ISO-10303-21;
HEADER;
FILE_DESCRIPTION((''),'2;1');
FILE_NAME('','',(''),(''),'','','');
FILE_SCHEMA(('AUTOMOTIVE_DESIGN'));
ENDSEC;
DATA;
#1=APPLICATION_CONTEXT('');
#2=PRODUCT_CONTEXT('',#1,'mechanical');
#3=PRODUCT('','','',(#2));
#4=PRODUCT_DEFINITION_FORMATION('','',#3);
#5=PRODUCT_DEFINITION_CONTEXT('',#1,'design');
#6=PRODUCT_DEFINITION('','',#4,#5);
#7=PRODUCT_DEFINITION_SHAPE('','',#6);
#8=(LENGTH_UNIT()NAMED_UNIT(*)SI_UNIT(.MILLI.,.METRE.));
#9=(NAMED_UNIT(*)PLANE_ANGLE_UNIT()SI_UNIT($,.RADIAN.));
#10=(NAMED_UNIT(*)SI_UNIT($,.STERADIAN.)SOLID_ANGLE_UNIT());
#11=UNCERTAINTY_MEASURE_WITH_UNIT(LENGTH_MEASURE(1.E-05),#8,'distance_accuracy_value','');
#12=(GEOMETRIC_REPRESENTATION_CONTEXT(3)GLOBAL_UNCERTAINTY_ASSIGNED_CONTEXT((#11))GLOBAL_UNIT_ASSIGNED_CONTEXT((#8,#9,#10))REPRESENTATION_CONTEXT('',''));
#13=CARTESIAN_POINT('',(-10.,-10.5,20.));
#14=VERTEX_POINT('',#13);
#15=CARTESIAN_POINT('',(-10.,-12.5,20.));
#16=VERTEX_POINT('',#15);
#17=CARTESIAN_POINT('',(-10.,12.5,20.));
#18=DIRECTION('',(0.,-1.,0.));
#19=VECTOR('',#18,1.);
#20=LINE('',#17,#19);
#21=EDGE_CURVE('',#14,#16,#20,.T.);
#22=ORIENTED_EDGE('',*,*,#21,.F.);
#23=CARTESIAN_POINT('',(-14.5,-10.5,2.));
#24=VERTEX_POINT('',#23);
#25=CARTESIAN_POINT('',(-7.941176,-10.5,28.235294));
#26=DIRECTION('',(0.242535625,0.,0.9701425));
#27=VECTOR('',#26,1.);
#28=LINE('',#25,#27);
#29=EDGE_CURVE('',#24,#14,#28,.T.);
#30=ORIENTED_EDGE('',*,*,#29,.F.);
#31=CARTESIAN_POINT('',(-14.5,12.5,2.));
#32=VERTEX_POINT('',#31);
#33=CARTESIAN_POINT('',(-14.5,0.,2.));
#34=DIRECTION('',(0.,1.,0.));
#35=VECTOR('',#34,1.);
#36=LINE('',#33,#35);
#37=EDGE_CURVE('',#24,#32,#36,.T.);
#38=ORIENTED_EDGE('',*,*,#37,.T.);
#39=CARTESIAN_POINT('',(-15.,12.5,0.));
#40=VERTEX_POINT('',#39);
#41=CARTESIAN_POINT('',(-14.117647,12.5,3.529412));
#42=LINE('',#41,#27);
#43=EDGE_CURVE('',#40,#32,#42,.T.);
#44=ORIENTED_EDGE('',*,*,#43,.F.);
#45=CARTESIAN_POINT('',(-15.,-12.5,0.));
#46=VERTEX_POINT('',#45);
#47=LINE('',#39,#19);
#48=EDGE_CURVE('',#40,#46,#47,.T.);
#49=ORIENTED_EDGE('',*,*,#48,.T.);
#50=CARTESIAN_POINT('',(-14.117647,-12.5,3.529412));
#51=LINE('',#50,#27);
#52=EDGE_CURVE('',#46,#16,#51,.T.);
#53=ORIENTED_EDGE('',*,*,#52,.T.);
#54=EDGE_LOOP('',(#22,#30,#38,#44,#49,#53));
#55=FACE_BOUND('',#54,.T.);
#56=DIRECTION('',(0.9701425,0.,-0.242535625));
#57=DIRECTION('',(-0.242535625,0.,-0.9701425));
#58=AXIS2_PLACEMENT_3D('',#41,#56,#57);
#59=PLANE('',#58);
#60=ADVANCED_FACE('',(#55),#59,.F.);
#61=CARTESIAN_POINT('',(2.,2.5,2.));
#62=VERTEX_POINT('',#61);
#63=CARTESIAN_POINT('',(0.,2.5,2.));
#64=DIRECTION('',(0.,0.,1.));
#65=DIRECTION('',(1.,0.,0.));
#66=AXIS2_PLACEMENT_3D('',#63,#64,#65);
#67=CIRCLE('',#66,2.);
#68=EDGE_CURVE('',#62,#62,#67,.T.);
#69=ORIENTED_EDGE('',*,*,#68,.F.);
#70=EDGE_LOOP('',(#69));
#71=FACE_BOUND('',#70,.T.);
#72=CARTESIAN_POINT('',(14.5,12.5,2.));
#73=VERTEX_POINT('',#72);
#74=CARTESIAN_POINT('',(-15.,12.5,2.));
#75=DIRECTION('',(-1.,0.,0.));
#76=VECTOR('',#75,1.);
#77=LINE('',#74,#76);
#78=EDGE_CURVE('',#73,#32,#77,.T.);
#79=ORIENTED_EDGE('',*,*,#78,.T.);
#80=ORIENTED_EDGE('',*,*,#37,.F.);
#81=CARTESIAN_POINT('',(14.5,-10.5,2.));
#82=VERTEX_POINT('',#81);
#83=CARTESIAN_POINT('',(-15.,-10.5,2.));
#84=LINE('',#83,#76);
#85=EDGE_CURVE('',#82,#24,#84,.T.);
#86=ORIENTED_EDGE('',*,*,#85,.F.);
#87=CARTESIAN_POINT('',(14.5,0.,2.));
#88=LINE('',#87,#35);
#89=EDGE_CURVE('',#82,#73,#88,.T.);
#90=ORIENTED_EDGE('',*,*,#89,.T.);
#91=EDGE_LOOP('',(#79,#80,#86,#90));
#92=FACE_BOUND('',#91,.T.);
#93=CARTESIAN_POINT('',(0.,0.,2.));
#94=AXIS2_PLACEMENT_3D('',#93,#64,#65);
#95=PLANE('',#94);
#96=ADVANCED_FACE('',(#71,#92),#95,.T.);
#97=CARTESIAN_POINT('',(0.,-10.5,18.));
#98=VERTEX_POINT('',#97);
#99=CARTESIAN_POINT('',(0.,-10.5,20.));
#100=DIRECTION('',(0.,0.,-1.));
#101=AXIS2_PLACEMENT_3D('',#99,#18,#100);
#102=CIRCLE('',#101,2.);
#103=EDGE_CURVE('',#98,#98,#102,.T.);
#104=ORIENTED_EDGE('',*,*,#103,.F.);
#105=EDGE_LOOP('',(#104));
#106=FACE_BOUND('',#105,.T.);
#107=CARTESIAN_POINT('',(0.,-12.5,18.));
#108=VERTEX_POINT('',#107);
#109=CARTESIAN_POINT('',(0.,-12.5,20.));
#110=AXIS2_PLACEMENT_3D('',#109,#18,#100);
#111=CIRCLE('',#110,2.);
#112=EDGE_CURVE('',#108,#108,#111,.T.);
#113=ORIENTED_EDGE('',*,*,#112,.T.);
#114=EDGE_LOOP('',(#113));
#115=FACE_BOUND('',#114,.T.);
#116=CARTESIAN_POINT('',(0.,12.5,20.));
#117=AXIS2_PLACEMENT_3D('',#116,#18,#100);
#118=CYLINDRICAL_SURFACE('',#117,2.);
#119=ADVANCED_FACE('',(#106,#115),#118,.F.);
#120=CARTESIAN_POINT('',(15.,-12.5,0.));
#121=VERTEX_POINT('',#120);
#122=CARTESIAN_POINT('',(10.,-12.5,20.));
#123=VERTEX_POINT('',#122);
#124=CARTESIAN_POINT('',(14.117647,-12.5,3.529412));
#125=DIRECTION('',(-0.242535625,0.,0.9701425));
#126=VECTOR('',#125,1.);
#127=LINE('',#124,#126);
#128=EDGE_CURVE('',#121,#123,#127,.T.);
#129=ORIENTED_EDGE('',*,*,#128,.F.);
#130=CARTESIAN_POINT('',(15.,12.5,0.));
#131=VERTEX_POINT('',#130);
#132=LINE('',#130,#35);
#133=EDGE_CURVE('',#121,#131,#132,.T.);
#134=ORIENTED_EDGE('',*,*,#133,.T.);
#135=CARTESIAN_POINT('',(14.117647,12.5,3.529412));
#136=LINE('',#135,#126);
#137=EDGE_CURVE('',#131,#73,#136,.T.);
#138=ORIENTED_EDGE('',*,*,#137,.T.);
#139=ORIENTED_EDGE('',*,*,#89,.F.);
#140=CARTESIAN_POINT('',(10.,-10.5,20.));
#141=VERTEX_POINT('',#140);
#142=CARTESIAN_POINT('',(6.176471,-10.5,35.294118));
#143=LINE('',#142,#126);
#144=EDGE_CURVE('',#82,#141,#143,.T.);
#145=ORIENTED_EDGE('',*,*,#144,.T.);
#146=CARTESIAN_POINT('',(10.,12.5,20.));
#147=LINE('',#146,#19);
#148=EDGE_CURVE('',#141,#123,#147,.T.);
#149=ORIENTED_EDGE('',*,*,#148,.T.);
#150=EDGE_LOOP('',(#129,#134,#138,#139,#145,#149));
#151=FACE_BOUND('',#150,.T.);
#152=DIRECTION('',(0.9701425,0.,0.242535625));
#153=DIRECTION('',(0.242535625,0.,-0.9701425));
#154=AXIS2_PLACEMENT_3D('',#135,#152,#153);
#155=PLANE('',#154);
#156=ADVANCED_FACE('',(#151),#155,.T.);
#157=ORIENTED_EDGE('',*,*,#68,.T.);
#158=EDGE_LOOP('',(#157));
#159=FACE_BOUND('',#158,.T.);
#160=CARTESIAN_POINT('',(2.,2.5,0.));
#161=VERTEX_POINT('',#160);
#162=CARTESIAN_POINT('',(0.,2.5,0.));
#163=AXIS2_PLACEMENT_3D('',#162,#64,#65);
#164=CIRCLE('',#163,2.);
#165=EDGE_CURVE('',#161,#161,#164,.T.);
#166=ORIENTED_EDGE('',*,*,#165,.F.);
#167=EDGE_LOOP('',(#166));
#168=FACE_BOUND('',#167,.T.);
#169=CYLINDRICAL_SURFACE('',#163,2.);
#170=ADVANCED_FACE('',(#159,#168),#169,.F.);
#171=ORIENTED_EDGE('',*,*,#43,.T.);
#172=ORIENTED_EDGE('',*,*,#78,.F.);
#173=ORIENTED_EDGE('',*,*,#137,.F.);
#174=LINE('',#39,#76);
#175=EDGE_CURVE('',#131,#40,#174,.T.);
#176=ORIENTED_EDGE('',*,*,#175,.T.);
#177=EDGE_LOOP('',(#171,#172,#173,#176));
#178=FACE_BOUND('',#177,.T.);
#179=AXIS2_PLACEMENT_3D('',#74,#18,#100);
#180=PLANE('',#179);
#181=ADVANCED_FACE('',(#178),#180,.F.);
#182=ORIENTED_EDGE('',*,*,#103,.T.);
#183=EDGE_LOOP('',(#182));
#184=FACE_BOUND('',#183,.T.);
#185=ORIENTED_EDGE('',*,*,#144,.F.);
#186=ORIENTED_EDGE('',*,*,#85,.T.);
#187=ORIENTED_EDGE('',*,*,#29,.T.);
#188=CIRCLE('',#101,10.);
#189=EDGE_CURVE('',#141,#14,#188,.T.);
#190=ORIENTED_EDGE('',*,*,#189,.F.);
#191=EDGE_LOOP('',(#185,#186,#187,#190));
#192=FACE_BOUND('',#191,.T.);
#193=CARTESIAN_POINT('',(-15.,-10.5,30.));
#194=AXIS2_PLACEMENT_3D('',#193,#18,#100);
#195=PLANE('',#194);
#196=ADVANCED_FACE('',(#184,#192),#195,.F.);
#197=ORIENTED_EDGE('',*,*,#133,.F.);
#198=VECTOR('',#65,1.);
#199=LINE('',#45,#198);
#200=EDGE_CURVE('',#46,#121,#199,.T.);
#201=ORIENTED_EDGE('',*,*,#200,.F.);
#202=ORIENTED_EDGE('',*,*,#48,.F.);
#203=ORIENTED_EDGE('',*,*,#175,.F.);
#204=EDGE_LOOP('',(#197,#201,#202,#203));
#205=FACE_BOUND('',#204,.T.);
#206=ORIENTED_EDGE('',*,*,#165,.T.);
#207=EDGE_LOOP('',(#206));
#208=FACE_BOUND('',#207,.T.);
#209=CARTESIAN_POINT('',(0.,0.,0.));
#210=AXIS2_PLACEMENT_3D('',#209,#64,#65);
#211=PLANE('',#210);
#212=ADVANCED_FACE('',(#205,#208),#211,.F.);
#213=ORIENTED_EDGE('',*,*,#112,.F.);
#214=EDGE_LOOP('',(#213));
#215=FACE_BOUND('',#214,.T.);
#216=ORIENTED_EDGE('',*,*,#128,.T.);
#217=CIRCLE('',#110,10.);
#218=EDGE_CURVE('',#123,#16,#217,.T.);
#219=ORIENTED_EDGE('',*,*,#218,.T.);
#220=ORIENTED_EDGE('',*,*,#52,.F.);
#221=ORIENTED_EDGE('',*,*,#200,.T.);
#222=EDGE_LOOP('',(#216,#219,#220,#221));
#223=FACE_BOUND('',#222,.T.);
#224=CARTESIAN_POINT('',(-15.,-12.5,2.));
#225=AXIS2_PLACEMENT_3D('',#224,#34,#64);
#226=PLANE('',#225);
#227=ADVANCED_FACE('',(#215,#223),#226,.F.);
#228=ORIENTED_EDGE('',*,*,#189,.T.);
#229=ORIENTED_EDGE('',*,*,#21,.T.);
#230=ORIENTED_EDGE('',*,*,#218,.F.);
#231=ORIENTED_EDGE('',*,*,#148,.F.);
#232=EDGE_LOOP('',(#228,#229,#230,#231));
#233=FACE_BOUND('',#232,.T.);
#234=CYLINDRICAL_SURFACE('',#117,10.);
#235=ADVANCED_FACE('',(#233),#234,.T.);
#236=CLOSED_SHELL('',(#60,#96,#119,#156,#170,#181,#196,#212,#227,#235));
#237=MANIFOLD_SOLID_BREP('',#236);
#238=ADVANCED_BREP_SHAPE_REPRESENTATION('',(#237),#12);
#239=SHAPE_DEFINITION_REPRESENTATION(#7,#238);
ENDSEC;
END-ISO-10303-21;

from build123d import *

# Parameters (mm, degrees)
SKETCH1_W           = 30
SKETCH1_H           = 25
BOSS_EXTRUDE1_DEPTH = 2
SKETCH2_R           = 2
CUT_EXTRUDE1_DEPTH  = 2
SKETCH3_W           = 30
SKETCH3_H           = 2
BOSS_EXTRUDE3_DEPTH = 28
SKETCH4_R           = 2
CUT_EXTRUDE2_DEPTH  = 42.833001327


with BuildPart() as part:
    # Sketch1 → Boss-Extrude1 (new body)
    with BuildSketch(Plane.XY):
        Rectangle(SKETCH1_W, SKETCH1_H)
    extrude(amount=BOSS_EXTRUDE1_DEPTH)

    # Sketch2 → Cut-Extrude1 (cut)
    with BuildSketch(Plane.XY.offset(2)):
        with Locations((0, 2.5)):
            Circle(SKETCH2_R)
    extrude(amount=-CUT_EXTRUDE1_DEPTH, mode=Mode.SUBTRACT)

    # Sketch3 → Boss-Extrude3 (add)
    with BuildSketch(Plane.XY.offset(2)):
        with Locations((0, -11.5)):
            Rectangle(SKETCH3_W, SKETCH3_H)
    extrude(amount=BOSS_EXTRUDE3_DEPTH)

    # Sketch4 → Cut-Extrude2 (cut, through all)
    with BuildSketch(Plane.XZ.offset(12.5)):
        with Locations(Location((0, 20, 0), (0, 0, 270))):
            Circle(SKETCH4_R)
        with BuildLine():
            Line((-15, 30), (-15, 0))
            Line((-15, 0), (-10, 20))
            ThreePointArc((-10, 20), (-7.071067812, 27.071067812), (0, 30))
            Line((0, 30), (-15, 30))
        make_face()
        with BuildLine():
            Line((15, 30), (0, 30))
            ThreePointArc((0, 30), (7.071067812, 27.071067812), (10, 20))
            Line((10, 20), (15, 0))
            Line((15, 0), (15, 30))
        make_face()
    extrude(amount=-CUT_EXTRUDE2_DEPTH, mode=Mode.SUBTRACT)


solid = part.part
